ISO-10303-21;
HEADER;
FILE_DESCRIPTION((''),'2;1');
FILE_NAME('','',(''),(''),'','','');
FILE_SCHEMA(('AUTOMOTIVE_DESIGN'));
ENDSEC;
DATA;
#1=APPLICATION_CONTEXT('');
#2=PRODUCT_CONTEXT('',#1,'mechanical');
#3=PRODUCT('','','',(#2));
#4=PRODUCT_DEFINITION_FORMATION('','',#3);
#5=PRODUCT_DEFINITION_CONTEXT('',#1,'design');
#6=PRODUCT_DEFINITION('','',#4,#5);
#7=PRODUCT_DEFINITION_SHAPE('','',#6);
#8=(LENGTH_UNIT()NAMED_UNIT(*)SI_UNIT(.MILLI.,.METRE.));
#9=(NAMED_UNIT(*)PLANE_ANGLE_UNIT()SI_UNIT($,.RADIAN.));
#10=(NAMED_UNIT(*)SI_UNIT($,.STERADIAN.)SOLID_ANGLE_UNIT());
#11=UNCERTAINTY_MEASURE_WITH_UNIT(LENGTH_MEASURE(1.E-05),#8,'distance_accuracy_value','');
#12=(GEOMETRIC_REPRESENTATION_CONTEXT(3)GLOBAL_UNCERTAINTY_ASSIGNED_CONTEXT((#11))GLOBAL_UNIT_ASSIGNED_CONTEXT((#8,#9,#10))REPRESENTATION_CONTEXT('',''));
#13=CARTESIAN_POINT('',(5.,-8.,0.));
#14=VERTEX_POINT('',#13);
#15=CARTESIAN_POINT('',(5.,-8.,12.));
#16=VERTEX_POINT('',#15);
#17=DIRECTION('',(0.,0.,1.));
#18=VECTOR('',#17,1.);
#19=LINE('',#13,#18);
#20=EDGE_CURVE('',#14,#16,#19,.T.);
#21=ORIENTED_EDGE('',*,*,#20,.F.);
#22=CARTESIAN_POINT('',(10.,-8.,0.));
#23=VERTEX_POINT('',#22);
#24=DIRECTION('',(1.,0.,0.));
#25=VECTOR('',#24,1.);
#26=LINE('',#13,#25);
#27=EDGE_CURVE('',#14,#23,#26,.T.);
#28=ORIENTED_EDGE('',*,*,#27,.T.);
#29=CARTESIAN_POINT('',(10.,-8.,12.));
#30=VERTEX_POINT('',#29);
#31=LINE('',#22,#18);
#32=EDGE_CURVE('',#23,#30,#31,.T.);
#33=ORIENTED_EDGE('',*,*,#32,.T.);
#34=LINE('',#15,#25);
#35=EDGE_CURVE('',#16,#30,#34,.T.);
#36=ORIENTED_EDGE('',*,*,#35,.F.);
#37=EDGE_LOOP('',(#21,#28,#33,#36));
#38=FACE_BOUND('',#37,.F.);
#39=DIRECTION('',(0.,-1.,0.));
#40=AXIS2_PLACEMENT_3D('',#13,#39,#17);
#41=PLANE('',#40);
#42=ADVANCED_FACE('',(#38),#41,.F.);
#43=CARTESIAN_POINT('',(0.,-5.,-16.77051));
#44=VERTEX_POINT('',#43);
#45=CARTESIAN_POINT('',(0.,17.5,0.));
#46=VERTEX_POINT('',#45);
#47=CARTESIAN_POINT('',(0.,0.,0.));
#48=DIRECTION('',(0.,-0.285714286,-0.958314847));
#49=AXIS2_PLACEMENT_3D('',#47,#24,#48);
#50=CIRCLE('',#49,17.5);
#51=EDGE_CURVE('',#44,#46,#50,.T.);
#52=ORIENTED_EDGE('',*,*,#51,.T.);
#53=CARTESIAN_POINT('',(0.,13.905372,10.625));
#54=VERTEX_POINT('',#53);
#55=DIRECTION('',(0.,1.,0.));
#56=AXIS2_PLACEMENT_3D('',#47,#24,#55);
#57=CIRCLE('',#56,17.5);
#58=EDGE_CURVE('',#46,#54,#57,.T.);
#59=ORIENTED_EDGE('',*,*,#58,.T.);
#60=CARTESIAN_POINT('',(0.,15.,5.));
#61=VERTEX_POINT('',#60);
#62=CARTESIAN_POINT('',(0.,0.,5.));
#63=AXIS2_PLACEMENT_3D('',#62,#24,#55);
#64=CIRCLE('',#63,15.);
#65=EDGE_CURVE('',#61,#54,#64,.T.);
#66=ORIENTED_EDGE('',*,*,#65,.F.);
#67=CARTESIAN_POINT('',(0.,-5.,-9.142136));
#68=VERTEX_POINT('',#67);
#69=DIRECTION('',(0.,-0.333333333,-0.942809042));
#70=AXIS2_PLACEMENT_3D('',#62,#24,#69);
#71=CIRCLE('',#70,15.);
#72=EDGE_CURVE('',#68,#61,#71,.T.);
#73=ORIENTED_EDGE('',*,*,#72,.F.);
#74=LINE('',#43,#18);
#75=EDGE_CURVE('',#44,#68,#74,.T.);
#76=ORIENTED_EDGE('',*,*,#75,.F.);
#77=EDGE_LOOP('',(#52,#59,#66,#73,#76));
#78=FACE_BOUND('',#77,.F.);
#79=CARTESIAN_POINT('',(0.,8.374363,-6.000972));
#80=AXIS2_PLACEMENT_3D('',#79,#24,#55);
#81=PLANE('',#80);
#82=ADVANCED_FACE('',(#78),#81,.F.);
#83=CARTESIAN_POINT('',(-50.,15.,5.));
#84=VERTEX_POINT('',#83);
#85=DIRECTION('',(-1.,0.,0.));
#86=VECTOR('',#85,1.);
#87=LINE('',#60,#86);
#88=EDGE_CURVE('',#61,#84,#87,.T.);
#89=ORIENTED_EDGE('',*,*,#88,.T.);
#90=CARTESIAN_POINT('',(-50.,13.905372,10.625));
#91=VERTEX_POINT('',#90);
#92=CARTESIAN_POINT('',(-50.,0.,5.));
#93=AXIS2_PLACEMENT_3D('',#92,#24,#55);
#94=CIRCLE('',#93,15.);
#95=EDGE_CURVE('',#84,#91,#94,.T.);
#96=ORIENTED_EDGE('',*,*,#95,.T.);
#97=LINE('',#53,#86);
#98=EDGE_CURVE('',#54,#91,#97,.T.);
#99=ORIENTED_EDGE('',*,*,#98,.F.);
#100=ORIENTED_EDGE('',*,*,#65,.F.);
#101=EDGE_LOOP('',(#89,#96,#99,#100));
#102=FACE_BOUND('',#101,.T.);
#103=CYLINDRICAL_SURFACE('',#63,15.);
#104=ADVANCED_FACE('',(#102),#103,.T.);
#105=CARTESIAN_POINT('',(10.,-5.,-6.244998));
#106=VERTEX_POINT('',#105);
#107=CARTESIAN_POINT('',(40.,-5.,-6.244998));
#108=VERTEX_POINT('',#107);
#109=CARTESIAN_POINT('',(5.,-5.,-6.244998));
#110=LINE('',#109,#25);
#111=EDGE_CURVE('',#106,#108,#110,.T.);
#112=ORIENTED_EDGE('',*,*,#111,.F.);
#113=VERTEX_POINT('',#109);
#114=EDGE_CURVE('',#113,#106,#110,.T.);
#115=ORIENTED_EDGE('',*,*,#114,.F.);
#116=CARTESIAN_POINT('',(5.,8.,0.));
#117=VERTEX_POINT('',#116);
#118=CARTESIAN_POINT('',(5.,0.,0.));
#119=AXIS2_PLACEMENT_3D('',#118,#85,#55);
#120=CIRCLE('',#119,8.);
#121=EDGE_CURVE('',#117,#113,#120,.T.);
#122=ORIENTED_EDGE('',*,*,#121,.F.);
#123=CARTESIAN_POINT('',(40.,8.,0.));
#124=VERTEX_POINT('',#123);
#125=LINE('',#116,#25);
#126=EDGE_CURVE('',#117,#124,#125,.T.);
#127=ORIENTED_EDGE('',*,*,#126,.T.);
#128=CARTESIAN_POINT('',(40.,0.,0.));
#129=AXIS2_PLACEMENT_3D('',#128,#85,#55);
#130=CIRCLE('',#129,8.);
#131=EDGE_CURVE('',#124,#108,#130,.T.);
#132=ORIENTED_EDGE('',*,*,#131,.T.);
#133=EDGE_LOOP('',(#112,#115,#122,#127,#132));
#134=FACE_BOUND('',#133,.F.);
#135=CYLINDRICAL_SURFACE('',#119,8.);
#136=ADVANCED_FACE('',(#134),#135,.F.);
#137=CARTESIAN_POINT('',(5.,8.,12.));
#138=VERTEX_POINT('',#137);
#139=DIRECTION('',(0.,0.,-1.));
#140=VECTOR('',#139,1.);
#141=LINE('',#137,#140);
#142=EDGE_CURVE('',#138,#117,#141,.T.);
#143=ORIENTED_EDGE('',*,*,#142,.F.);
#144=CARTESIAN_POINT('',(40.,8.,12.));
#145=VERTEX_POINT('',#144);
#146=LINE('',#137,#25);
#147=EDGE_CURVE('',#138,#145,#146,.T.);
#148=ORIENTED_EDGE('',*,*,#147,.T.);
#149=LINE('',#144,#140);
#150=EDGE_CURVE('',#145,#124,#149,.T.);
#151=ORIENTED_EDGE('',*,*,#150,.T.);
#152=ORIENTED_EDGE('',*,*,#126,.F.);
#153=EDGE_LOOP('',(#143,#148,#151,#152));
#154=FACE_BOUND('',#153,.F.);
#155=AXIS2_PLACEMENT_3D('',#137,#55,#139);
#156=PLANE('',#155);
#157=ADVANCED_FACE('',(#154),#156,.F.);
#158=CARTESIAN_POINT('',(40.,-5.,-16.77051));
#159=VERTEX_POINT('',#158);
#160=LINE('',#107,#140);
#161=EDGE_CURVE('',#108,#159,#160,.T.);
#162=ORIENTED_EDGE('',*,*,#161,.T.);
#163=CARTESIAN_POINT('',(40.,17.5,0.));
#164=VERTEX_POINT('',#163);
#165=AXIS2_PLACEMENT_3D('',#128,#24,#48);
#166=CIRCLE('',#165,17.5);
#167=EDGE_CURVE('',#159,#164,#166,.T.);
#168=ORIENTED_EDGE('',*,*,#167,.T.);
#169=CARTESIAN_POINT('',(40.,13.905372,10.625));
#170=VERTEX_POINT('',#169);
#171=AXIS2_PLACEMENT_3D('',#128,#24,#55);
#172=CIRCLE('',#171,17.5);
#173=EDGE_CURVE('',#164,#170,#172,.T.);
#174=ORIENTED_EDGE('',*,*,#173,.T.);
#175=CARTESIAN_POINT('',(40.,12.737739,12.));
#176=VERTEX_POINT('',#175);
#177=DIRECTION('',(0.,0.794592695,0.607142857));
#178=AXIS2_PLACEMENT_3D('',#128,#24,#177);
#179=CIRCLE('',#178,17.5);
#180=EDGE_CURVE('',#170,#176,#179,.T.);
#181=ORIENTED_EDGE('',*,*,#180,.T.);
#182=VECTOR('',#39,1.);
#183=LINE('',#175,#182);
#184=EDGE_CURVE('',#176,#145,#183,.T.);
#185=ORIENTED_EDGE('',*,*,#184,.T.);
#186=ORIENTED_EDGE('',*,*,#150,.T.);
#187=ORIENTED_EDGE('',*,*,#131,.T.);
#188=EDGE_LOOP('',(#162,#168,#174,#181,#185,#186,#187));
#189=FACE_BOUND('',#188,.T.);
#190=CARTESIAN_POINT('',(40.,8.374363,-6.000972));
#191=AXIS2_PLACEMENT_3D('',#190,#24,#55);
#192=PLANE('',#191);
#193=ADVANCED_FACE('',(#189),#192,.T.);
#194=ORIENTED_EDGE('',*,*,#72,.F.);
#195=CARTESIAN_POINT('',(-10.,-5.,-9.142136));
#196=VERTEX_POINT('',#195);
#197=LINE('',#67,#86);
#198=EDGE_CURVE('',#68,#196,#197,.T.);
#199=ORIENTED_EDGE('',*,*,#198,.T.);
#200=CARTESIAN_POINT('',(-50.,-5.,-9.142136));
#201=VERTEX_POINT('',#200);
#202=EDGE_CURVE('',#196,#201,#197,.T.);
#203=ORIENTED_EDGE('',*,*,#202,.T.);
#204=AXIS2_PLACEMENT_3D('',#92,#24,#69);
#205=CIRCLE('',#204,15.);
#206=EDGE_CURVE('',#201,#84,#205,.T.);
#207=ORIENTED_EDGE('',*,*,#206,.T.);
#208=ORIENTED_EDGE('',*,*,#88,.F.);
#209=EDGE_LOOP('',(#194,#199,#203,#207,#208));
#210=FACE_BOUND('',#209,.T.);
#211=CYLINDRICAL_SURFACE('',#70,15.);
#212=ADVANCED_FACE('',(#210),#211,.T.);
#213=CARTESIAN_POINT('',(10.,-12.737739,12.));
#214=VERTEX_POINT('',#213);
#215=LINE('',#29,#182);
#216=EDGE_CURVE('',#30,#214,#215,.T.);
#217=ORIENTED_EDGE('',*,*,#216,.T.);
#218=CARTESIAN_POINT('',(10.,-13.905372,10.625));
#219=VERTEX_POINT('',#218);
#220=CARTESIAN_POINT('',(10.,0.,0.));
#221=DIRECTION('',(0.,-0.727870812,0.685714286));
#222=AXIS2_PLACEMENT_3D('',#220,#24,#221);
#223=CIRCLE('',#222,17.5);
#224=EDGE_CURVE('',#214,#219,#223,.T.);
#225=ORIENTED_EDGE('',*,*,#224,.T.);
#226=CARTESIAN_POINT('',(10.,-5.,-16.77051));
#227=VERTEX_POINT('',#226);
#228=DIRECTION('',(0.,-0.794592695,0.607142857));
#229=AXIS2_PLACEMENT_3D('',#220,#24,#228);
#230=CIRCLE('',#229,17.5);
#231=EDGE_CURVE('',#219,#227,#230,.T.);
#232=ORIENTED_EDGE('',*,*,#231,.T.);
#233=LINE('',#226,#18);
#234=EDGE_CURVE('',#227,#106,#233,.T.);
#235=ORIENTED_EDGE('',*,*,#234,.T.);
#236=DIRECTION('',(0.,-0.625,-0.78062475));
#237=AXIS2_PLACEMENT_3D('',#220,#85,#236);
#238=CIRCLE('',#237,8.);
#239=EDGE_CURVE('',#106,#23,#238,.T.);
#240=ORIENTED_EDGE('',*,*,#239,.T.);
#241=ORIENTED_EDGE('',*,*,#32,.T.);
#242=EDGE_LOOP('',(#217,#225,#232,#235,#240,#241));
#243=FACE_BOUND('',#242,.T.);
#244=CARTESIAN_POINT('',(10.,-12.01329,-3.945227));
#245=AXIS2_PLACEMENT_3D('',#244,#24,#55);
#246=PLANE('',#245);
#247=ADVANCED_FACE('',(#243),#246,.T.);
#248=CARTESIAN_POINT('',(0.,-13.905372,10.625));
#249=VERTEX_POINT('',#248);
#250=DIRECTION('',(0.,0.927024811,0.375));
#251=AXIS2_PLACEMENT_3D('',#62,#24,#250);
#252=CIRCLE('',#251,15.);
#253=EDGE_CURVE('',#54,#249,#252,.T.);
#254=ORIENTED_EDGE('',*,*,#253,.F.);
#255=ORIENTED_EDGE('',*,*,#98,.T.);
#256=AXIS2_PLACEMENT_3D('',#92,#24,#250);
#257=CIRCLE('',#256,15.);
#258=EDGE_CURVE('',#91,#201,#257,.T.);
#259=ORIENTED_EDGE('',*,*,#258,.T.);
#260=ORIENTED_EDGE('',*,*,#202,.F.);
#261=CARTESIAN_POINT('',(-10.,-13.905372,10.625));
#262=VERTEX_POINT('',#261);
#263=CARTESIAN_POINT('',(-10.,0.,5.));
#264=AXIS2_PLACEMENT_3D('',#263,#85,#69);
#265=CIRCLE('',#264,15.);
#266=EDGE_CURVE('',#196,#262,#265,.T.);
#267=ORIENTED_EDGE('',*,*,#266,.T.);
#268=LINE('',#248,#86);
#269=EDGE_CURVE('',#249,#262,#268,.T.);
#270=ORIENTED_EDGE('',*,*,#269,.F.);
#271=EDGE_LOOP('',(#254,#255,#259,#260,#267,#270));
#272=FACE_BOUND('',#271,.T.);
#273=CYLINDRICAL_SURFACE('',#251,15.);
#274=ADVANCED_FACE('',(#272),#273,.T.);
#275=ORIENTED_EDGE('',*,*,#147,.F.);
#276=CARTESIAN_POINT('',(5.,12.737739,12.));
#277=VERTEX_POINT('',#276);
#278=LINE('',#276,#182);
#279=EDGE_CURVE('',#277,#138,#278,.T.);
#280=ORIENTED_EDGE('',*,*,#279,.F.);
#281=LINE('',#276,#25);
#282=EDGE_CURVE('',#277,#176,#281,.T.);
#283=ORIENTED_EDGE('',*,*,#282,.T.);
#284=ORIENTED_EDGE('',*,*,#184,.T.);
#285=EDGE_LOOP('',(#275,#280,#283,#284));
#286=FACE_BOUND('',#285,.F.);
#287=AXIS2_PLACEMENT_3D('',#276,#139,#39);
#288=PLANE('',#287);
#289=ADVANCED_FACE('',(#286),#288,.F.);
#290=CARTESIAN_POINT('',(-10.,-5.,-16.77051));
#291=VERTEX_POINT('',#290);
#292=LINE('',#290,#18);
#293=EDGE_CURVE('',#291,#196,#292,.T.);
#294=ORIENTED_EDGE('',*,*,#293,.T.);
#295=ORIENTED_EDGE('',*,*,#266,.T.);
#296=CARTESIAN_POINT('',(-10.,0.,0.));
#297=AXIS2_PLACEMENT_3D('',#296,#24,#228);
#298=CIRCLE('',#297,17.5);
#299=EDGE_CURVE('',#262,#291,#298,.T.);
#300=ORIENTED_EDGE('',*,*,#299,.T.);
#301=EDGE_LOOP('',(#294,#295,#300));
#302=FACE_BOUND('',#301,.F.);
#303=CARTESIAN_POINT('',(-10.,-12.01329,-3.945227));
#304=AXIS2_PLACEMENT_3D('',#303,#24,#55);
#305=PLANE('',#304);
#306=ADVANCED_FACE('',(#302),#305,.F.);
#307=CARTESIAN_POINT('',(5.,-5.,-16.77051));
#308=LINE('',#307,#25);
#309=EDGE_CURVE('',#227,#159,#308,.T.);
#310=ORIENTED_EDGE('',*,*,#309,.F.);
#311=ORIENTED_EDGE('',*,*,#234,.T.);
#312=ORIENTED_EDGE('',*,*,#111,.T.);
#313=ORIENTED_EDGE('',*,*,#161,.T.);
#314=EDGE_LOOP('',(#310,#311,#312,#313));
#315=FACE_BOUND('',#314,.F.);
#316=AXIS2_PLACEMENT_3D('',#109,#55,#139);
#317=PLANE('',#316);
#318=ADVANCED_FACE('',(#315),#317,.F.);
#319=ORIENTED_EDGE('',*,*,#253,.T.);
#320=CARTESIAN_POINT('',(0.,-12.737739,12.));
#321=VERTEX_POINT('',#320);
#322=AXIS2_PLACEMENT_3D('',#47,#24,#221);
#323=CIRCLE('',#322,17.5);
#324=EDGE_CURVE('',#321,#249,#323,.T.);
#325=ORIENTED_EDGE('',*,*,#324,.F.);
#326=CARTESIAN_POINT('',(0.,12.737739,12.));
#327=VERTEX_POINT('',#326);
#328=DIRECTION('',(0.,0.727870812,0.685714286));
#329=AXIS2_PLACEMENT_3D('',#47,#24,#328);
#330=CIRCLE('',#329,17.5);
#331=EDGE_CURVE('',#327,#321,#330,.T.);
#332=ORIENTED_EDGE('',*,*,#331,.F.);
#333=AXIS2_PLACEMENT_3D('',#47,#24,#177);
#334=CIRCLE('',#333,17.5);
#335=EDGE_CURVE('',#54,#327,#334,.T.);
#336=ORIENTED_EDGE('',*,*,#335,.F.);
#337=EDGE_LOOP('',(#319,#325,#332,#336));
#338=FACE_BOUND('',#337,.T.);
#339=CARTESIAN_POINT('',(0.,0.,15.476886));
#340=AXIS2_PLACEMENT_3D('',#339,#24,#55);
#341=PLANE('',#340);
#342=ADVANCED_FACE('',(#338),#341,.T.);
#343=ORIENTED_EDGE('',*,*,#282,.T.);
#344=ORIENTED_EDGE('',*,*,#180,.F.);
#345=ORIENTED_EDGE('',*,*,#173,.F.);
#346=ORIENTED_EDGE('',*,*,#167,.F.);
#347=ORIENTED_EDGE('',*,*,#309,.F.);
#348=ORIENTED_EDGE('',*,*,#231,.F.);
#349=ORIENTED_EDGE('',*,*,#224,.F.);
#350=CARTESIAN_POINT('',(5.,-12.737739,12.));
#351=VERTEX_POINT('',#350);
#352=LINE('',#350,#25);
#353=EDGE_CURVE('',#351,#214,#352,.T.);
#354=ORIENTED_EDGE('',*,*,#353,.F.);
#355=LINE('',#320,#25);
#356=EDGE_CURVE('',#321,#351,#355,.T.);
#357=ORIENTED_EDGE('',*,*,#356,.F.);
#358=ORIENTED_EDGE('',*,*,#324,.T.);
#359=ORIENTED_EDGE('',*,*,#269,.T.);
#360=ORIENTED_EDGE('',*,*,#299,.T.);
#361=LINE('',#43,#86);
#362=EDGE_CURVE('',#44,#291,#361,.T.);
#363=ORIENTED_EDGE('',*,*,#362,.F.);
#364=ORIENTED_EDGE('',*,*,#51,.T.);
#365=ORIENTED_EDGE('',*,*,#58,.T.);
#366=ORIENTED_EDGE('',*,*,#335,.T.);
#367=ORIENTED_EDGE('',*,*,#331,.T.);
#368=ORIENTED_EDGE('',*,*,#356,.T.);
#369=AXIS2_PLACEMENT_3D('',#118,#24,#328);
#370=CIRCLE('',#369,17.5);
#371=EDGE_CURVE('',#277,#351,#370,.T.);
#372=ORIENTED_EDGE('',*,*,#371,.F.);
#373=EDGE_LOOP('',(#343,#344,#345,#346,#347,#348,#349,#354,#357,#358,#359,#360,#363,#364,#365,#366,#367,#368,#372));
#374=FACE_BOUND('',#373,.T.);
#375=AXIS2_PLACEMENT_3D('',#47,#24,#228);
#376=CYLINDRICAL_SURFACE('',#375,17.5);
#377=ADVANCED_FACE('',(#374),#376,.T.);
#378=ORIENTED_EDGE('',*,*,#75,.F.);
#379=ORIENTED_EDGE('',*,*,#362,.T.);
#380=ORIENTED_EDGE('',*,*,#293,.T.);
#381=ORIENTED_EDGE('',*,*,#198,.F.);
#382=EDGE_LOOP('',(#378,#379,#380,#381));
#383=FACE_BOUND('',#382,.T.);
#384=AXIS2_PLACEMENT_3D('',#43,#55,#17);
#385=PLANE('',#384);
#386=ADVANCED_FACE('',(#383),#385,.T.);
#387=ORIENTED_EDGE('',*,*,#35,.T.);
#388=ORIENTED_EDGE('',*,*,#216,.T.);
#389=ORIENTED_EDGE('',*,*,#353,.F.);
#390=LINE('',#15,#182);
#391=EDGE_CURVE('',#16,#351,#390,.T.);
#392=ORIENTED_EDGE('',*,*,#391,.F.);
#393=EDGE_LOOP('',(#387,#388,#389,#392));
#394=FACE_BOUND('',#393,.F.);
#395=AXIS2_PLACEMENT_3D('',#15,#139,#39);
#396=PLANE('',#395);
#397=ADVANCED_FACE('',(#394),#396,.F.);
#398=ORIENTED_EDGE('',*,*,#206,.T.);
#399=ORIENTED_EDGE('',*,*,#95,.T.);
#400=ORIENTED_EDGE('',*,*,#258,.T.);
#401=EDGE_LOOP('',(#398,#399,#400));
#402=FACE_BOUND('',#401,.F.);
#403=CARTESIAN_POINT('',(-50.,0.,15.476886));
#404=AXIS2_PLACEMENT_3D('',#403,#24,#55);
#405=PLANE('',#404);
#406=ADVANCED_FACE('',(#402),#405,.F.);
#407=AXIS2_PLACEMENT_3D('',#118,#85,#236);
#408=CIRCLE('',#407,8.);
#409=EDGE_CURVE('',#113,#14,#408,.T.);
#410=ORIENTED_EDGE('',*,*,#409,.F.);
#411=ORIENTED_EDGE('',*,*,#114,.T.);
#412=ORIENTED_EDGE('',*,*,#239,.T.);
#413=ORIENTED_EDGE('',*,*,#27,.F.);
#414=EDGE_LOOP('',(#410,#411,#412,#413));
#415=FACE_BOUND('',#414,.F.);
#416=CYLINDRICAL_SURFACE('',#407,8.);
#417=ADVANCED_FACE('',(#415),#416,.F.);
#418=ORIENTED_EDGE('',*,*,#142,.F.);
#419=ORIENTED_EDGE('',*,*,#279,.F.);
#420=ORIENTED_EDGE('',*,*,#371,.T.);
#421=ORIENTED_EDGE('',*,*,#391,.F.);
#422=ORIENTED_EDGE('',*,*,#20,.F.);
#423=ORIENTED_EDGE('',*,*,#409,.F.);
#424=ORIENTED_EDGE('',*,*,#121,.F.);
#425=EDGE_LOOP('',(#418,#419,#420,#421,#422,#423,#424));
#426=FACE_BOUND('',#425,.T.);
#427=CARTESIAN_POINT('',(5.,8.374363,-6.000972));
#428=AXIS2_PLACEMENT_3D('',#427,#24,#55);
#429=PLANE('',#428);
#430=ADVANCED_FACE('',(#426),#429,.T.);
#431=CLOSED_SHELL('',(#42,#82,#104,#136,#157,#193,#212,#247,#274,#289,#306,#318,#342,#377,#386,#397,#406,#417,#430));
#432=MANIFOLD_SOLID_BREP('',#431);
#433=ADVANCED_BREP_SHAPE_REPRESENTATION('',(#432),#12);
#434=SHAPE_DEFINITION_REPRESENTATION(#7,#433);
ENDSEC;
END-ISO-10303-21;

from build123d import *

# Parameters (mm, degrees)
F1_DEPTH = 5
F3_DEPTH = 35
F5_DEPTH = 5
F6_DEPTH = 10
F7_DEPTH = 50


with BuildPart() as f1:
    # F0 (on Right) → F1 (new body)
    with BuildSketch(Plane.YZ):
        with BuildLine():
            ThreePointArc((17.5, 0), (16.5770023354, 5.6082968512), (13.9053721633, 10.625))
            ThreePointArc((13.9053721633, 10.625), (14.7238001625, 7.8652589369), (15, 5))
            ThreePointArc((15, 5), (8.6602540378, -7.2474487139), (-5, -9.1421356237))
            Line((-5, -9.1421356237), (-5, -16.7705098312))
            ThreePointArc((-5, -16.7705098312), (10.4582503317, -14.0312152004), (17.5, 0))
        make_face()
        with BuildLine():
            ThreePointArc((13.9053721633, 10.625), (13.3392841662, 11.3275548082), (12.7377392029, 12))
            Line((12.7377392029, 12), (8, 12))
            Line((8, 12), (8, 0))
            ThreePointArc((8, 0), (3.4641016151, -7.2111025509), (-5, -6.2449979984))
            Line((-5, -6.2449979984), (-5, -9.1421356237))
            ThreePointArc((-5, -9.1421356237), (8.6602540378, -7.2474487139), (15, 5))
            ThreePointArc((15, 5), (14.7238001625, 7.8652589369), (13.9053721633, 10.625))
        make_face()
        with BuildLine():
            Line((8, 12), (12.7377392029, 12))
            ThreePointArc((12.7377392029, 12), (0, 17.5), (-12.7377392029, 12))
            Line((-12.7377392029, 12), (-8, 12))
            Line((-8, 12), (-8, 0))
            ThreePointArc((-8, 0), (-7.2111025509, -3.4641016151), (-5, -6.2449979984))
            ThreePointArc((-5, -6.2449979984), (3.4641016151, -7.2111025509), (8, 0))
            Line((8, 0), (8, 12))
        make_face()
        with BuildLine():
            Line((-8, 12), (-12.7377392029, 12))
            ThreePointArc((-12.7377392029, 12), (-13.3392841662, 11.3275548082), (-13.9053721633, 10.625))
            ThreePointArc((-13.9053721633, 10.625), (-13.6761905094, -1.1613158619), (-5, -9.1421356237))
            Line((-5, -9.1421356237), (-5, -6.2449979984))
            ThreePointArc((-5, -6.2449979984), (-7.2111025509, -3.4641016151), (-8, 0))
            Line((-8, 0), (-8, 12))
        make_face()
        with BuildLine():
            ThreePointArc((-5, -9.1421356237), (-13.6761905094, -1.1613158619), (-13.9053721633, 10.625))
            ThreePointArc((-13.9053721633, 10.625), (-16.6427691172, -5.4100125798), (-5, -16.7705098312))
            Line((-5, -16.7705098312), (-5, -9.1421356237))
        make_face()
    extrude(amount=F1_DEPTH)

    # F2 (on face) → F3 (join)
    with BuildSketch(Plane.YZ.offset(5)):
        with BuildLine():
            ThreePointArc((15, 5), (8.6602540378, -7.2474487139), (-5, -9.1421356237))
            Line((-5, -9.1421356237), (-5, -16.7705098312))
            ThreePointArc((-5, -16.7705098312), (10.4582503317, -14.0312152004), (17.5, 0))
            ThreePointArc((17.5, 0), (16.5770023354, 5.6082968512), (13.9053721633, 10.625))
            ThreePointArc((13.9053721633, 10.625), (14.7238001625, 7.8652589369), (15, 5))
        make_face()
        with BuildLine():
            ThreePointArc((8, 0), (3.4641016151, -7.2111025509), (-5, -6.2449979984))
            Line((-5, -6.2449979984), (-5, -9.1421356237))
            ThreePointArc((-5, -9.1421356237), (8.6602540378, -7.2474487139), (15, 5))
            ThreePointArc((15, 5), (14.7238001625, 7.8652589369), (13.9053721633, 10.625))
            ThreePointArc((13.9053721633, 10.625), (13.3392841662, 11.3275548082), (12.7377392029, 12))
            Line((12.7377392029, 12), (8, 12))
            Line((8, 12), (8, 0))
        make_face()
    extrude(amount=F3_DEPTH)

    # F4 (on face) → F5 (join)
    with BuildSketch(Plane.YZ.offset(5)):
        with BuildLine():
            ThreePointArc((-13.9053721633, 10.625), (-16.6427691172, -5.4100125798), (-5, -16.7705098312))
            Line((-5, -16.7705098312), (-5, -9.1421356237))
            ThreePointArc((-5, -9.1421356237), (-13.6761905094, -1.1613158619), (-13.9053721633, 10.625))
        make_face()
        with BuildLine():
            ThreePointArc((-13.9053721633, 10.625), (-13.6761905094, -1.1613158619), (-5, -9.1421356237))
            Line((-5, -9.1421356237), (-5, -6.2449979984))
            ThreePointArc((-5, -6.2449979984), (-7.2111025509, -3.4641016151), (-8, 0))
            Line((-8, 0), (-8, 12))
            Line((-8, 12), (-12.7377392029, 12))
            ThreePointArc((-12.7377392029, 12), (-13.3392841662, 11.3275548082), (-13.9053721633, 10.625))
        make_face()
    extrude(amount=F5_DEPTH)

    # F0 (on Right) → F6 (join)
    with BuildSketch(Plane.YZ):
        with BuildLine():
            ThreePointArc((-5, -9.1421356237), (-13.6761905094, -1.1613158619), (-13.9053721633, 10.625))
            ThreePointArc((-13.9053721633, 10.625), (-16.6427691172, -5.4100125798), (-5, -16.7705098312))
            Line((-5, -16.7705098312), (-5, -9.1421356237))
        make_face()
    extrude(amount=-F6_DEPTH)

    # F0 (on Right) → F7 (join)
    with BuildSketch(Plane.YZ):
        with BuildLine():
            ThreePointArc((-12.7377392029, 12), (0, 17.5), (12.7377392029, 12))
            ThreePointArc((12.7377392029, 12), (13.3392841662, 11.3275548082), (13.9053721633, 10.625))
            ThreePointArc((13.9053721633, 10.625), (0, 20), (-13.9053721633, 10.625))
            ThreePointArc((-13.9053721633, 10.625), (-13.3392841662, 11.3275548082), (-12.7377392029, 12))
        make_face()
        with BuildLine():
            Line((8, 12), (12.7377392029, 12))
            ThreePointArc((12.7377392029, 12), (0, 17.5), (-12.7377392029, 12))
            Line((-12.7377392029, 12), (-8, 12))
            Line((-8, 12), (-8, 0))
            ThreePointArc((-8, 0), (-7.2111025509, -3.4641016151), (-5, -6.2449979984))
            ThreePointArc((-5, -6.2449979984), (3.4641016151, -7.2111025509), (8, 0))
            Line((8, 0), (8, 12))
        make_face()
        with BuildLine():
            Line((-8, 12), (-12.7377392029, 12))
            ThreePointArc((-12.7377392029, 12), (-13.3392841662, 11.3275548082), (-13.9053721633, 10.625))
            ThreePointArc((-13.9053721633, 10.625), (-13.6761905094, -1.1613158619), (-5, -9.1421356237))
            Line((-5, -9.1421356237), (-5, -6.2449979984))
            ThreePointArc((-5, -6.2449979984), (-7.2111025509, -3.4641016151), (-8, 0))
            Line((-8, 0), (-8, 12))
        make_face()
        with BuildLine():
            ThreePointArc((13.9053721633, 10.625), (13.3392841662, 11.3275548082), (12.7377392029, 12))
            Line((12.7377392029, 12), (8, 12))
            Line((8, 12), (8, 0))
            ThreePointArc((8, 0), (3.4641016151, -7.2111025509), (-5, -6.2449979984))
            Line((-5, -6.2449979984), (-5, -9.1421356237))
            ThreePointArc((-5, -9.1421356237), (8.6602540378, -7.2474487139), (15, 5))
            ThreePointArc((15, 5), (14.7238001625, 7.8652589369), (13.9053721633, 10.625))
        make_face()
    extrude(amount=-F7_DEPTH)


solid = f1.part
